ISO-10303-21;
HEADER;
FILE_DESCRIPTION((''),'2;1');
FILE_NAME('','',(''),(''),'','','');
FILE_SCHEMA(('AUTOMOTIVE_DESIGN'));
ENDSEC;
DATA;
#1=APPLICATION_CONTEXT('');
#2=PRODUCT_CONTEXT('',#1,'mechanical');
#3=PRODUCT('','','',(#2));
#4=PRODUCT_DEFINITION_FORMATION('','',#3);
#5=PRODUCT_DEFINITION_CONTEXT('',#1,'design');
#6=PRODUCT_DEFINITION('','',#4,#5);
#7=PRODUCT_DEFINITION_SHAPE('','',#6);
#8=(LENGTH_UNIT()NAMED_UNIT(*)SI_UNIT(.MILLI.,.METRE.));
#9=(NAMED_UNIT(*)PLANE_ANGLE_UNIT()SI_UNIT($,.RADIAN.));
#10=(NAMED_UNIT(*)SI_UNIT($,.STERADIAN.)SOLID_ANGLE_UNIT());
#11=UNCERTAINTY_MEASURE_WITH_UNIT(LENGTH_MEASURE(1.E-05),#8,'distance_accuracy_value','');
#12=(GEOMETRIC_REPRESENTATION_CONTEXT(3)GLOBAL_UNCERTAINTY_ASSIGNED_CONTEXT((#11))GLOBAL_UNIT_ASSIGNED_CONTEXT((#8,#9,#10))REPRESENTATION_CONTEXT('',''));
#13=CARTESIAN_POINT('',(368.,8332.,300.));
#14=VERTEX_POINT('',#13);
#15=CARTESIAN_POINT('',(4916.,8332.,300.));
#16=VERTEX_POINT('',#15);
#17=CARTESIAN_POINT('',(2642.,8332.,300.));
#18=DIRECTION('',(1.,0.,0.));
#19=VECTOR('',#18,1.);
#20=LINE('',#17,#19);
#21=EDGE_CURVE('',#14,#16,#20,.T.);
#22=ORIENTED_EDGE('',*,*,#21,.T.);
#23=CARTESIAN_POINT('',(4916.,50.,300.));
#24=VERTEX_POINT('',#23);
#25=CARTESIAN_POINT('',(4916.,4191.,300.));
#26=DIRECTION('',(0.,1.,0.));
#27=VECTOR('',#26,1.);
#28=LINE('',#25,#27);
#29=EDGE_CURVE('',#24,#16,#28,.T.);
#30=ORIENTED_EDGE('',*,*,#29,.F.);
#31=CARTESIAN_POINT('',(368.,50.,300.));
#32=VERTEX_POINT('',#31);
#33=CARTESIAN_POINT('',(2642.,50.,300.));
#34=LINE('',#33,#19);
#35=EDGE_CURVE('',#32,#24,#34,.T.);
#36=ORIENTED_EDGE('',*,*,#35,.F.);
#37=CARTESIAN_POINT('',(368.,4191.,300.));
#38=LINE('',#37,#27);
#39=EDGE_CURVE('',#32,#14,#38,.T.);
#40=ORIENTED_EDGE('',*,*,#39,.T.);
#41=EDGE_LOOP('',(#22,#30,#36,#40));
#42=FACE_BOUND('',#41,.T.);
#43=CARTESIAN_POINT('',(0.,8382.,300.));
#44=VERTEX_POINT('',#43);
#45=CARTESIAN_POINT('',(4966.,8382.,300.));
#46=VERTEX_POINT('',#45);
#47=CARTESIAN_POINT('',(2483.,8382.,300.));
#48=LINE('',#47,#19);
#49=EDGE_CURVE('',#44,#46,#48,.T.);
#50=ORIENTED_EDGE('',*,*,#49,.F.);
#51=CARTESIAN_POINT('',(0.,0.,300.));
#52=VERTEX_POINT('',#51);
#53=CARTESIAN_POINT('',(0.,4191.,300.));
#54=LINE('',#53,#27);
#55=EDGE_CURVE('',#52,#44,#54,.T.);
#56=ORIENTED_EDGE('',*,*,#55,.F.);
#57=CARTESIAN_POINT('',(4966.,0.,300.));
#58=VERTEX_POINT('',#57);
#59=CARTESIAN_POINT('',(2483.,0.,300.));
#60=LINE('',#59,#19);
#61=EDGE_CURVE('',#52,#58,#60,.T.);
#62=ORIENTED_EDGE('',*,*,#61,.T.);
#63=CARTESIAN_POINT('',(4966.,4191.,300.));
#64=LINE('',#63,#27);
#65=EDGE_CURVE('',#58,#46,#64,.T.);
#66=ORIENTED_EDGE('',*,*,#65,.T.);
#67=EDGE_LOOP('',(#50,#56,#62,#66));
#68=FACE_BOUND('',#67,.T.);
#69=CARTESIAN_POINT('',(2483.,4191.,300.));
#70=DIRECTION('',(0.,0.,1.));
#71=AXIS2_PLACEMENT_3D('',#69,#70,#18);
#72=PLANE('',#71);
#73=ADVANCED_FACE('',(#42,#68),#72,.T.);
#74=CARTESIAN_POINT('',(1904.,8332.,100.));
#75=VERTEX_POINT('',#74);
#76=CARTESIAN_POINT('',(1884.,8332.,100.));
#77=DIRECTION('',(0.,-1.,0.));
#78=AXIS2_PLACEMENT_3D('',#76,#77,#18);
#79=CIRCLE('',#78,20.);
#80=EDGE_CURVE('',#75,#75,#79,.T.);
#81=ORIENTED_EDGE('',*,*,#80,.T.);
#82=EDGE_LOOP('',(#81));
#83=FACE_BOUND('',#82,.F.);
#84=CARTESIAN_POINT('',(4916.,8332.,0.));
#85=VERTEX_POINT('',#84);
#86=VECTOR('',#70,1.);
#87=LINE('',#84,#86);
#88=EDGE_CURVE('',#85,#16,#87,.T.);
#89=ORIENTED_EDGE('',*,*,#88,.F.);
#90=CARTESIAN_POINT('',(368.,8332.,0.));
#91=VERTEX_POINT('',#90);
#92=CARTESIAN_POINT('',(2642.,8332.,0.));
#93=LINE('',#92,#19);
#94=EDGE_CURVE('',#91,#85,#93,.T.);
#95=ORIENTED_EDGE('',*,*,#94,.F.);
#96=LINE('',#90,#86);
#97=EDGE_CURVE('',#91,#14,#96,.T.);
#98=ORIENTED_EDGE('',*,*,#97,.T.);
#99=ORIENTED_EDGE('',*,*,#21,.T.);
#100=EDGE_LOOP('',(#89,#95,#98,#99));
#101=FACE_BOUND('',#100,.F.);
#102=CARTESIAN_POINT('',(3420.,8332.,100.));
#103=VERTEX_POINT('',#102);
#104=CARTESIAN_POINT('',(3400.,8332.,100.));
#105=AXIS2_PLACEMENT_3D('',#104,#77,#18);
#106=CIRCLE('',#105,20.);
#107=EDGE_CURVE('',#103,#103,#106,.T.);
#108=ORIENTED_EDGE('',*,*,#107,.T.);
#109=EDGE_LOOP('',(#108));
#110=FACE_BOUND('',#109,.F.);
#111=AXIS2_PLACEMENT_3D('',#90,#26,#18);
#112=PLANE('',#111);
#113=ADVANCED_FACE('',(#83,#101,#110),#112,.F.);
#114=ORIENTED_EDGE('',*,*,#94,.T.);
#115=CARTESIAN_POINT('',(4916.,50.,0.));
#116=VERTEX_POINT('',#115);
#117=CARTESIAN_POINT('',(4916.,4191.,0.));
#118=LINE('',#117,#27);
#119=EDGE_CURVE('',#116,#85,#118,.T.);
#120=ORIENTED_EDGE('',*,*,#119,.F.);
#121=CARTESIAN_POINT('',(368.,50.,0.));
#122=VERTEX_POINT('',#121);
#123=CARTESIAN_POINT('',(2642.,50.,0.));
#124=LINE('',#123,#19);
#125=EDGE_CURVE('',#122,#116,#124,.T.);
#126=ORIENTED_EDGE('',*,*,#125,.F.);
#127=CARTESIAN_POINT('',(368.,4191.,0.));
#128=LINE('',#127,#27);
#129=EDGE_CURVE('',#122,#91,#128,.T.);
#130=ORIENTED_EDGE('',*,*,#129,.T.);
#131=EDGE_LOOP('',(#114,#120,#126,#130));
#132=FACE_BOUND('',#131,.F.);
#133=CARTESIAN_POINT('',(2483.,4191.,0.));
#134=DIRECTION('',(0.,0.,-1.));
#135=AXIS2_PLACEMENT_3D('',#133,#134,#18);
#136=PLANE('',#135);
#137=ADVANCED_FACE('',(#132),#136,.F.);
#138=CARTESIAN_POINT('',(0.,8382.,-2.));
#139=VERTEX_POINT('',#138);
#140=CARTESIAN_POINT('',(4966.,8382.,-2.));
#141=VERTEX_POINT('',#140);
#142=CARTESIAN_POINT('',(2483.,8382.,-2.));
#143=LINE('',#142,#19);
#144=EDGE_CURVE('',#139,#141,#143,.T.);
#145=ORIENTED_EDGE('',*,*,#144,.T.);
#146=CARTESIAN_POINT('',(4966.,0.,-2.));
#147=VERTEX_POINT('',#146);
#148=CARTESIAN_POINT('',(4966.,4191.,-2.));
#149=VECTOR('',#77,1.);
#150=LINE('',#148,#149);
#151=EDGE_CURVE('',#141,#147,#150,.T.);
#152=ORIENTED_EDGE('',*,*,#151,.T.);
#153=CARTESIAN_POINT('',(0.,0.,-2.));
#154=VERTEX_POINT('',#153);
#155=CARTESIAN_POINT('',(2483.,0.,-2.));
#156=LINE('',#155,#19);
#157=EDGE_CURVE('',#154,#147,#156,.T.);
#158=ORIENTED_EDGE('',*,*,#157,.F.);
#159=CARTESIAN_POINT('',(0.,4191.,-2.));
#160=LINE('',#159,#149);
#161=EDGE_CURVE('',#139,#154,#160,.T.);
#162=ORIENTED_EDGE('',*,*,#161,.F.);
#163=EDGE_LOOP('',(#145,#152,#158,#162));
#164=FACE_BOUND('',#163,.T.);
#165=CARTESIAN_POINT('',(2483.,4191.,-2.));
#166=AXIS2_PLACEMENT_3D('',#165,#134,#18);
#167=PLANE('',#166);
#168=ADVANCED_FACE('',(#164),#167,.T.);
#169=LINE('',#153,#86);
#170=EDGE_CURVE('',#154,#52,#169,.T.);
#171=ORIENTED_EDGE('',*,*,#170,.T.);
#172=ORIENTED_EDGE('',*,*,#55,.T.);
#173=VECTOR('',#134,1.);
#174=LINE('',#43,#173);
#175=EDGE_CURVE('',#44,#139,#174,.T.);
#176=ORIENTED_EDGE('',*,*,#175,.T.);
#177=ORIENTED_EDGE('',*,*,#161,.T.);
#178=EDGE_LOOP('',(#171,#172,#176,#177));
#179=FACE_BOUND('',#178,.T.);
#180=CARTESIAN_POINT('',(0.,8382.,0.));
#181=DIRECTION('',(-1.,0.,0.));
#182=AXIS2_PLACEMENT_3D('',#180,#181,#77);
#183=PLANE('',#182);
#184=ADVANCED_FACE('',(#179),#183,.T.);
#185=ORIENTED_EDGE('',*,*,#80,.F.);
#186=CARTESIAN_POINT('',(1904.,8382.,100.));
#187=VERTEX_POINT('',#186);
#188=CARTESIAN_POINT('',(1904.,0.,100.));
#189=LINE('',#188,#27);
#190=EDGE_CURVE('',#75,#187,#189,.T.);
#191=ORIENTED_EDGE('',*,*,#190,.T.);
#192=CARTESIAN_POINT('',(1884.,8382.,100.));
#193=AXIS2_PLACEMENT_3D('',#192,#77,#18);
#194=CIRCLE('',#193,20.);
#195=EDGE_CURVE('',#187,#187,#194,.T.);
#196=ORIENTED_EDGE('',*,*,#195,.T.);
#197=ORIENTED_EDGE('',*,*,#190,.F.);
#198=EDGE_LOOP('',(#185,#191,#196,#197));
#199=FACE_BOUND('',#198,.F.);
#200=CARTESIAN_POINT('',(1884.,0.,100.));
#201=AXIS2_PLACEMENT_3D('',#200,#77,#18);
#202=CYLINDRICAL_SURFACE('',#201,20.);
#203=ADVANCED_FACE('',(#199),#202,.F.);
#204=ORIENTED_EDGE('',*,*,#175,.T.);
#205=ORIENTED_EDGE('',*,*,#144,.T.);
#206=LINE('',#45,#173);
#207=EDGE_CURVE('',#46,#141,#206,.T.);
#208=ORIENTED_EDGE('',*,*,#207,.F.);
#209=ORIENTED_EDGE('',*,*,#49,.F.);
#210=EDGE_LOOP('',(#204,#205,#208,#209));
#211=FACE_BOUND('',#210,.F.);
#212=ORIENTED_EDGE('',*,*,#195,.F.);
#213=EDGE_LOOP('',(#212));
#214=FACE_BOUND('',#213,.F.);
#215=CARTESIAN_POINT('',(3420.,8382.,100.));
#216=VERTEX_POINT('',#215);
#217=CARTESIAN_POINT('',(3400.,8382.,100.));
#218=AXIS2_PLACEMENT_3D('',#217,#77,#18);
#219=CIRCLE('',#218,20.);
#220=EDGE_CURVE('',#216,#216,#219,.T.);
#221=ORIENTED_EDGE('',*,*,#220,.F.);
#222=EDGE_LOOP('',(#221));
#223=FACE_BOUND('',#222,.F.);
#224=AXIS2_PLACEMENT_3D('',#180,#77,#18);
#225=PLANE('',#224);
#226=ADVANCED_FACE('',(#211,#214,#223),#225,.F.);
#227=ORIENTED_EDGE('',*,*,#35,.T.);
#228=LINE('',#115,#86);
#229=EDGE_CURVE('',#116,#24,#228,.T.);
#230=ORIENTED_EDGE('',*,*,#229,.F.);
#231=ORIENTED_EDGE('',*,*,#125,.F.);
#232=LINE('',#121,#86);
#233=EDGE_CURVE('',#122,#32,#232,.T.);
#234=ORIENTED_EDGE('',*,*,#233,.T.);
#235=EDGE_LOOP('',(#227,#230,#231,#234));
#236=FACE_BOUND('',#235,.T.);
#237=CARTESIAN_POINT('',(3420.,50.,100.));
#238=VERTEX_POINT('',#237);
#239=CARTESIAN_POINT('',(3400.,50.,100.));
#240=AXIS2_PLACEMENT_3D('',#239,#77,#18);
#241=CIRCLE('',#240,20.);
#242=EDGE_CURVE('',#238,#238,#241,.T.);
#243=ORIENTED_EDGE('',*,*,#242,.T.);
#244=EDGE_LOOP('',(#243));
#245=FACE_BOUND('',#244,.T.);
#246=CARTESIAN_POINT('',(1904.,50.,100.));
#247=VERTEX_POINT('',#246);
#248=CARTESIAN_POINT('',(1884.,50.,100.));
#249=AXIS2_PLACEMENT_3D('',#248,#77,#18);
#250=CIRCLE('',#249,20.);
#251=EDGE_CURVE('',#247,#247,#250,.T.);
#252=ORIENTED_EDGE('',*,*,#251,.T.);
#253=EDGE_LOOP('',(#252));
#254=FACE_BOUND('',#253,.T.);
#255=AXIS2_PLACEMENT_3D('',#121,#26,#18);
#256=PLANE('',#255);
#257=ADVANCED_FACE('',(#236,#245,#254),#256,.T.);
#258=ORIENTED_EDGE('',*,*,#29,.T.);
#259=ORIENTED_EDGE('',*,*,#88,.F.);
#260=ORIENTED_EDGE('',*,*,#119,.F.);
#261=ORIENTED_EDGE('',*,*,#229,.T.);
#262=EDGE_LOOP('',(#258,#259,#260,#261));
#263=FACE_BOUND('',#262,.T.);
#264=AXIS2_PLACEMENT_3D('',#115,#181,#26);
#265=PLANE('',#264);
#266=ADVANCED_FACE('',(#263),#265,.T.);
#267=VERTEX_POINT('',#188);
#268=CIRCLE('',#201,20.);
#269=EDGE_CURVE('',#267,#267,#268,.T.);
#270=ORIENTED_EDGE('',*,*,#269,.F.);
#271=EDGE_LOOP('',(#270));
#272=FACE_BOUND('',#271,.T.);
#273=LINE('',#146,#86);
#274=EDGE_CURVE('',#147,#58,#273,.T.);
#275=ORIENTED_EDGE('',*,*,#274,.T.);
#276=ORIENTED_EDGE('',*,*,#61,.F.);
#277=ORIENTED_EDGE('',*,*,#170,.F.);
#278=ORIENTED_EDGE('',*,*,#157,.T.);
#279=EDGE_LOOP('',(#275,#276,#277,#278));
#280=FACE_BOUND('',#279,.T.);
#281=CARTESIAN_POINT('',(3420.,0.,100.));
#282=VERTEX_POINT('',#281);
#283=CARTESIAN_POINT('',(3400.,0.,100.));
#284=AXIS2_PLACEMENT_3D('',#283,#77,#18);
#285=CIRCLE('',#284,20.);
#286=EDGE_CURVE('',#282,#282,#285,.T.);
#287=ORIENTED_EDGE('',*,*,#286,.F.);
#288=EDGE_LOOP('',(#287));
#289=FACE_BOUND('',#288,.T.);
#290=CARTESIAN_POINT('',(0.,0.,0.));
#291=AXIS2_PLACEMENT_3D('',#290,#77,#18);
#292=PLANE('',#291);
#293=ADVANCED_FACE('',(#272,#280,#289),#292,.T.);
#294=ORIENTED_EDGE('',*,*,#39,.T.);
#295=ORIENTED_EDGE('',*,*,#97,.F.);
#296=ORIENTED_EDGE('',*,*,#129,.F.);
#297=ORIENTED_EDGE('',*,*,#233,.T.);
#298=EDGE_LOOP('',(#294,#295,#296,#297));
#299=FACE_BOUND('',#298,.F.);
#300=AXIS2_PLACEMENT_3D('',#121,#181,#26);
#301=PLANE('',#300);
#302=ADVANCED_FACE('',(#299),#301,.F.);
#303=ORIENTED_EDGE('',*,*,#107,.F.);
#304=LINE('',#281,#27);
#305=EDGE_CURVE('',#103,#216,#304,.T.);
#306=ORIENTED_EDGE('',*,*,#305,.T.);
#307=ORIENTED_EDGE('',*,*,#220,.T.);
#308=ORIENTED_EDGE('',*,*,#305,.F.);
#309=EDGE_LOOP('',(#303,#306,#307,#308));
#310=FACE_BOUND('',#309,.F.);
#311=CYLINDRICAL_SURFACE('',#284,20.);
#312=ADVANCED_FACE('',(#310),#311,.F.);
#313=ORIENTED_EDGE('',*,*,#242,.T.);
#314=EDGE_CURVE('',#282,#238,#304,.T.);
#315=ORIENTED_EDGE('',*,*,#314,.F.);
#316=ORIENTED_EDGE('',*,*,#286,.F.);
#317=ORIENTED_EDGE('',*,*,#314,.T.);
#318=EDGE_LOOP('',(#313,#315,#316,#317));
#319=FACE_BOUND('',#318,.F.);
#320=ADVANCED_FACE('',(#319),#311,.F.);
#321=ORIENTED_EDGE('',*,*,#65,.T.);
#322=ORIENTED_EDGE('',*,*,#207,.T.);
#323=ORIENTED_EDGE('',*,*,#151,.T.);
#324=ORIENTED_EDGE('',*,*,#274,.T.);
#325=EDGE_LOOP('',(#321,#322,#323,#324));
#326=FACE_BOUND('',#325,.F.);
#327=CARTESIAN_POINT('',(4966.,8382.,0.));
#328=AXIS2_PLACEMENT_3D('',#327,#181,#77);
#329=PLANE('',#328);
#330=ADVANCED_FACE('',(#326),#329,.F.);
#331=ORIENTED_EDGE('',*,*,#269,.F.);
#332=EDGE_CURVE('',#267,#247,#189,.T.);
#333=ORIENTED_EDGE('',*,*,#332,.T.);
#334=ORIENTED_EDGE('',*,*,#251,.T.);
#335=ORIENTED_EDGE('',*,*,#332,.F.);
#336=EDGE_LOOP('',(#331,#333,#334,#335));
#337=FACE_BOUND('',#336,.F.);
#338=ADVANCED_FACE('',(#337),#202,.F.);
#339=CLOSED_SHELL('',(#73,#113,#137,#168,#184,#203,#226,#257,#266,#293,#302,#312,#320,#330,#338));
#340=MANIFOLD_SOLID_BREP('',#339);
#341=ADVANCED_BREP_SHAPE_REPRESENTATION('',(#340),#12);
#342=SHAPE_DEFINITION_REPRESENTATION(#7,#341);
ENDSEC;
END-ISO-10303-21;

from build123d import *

# Parameters (mm, degrees)
F0_W     = 4966
F0_H     = 8382
F0_W_2   = 4548
F0_H_2   = 8282
F1_DEPTH = 300
F2_W     = 4966
F2_H     = 8382
F3_DEPTH = 2
F4_R     = 20
F5_DEPTH = 8382.001


with BuildPart() as f1:
    # F0 (on Top) → F1 (new body)
    with BuildSketch(Plane.XY):
        with Locations((2483, 4191)):
            Rectangle(F0_W, F0_H)
        with Locations((2642, 4191)):
            Rectangle(F0_W_2, F0_H_2, mode=Mode.SUBTRACT)
    extrude(amount=F1_DEPTH)

    # F2 (on face) → F3 (join)
    with BuildSketch(Plane(origin=(0, 0, 0), x_dir=(1, 0, 0), z_dir=(0, 0, -1))):
        with Locations((2483, -4191)):
            Rectangle(F2_W, F2_H)
    extrude(amount=F3_DEPTH)

    # F4 (on face) → F5 (cut, through all)
    with BuildSketch(Plane.XZ):
        with Locations((1884, 100)):
            Circle(F4_R)
        with Locations((3400, 100)):
            Circle(F4_R)
    extrude(amount=-F5_DEPTH, mode=Mode.SUBTRACT)


solid = f1.part
